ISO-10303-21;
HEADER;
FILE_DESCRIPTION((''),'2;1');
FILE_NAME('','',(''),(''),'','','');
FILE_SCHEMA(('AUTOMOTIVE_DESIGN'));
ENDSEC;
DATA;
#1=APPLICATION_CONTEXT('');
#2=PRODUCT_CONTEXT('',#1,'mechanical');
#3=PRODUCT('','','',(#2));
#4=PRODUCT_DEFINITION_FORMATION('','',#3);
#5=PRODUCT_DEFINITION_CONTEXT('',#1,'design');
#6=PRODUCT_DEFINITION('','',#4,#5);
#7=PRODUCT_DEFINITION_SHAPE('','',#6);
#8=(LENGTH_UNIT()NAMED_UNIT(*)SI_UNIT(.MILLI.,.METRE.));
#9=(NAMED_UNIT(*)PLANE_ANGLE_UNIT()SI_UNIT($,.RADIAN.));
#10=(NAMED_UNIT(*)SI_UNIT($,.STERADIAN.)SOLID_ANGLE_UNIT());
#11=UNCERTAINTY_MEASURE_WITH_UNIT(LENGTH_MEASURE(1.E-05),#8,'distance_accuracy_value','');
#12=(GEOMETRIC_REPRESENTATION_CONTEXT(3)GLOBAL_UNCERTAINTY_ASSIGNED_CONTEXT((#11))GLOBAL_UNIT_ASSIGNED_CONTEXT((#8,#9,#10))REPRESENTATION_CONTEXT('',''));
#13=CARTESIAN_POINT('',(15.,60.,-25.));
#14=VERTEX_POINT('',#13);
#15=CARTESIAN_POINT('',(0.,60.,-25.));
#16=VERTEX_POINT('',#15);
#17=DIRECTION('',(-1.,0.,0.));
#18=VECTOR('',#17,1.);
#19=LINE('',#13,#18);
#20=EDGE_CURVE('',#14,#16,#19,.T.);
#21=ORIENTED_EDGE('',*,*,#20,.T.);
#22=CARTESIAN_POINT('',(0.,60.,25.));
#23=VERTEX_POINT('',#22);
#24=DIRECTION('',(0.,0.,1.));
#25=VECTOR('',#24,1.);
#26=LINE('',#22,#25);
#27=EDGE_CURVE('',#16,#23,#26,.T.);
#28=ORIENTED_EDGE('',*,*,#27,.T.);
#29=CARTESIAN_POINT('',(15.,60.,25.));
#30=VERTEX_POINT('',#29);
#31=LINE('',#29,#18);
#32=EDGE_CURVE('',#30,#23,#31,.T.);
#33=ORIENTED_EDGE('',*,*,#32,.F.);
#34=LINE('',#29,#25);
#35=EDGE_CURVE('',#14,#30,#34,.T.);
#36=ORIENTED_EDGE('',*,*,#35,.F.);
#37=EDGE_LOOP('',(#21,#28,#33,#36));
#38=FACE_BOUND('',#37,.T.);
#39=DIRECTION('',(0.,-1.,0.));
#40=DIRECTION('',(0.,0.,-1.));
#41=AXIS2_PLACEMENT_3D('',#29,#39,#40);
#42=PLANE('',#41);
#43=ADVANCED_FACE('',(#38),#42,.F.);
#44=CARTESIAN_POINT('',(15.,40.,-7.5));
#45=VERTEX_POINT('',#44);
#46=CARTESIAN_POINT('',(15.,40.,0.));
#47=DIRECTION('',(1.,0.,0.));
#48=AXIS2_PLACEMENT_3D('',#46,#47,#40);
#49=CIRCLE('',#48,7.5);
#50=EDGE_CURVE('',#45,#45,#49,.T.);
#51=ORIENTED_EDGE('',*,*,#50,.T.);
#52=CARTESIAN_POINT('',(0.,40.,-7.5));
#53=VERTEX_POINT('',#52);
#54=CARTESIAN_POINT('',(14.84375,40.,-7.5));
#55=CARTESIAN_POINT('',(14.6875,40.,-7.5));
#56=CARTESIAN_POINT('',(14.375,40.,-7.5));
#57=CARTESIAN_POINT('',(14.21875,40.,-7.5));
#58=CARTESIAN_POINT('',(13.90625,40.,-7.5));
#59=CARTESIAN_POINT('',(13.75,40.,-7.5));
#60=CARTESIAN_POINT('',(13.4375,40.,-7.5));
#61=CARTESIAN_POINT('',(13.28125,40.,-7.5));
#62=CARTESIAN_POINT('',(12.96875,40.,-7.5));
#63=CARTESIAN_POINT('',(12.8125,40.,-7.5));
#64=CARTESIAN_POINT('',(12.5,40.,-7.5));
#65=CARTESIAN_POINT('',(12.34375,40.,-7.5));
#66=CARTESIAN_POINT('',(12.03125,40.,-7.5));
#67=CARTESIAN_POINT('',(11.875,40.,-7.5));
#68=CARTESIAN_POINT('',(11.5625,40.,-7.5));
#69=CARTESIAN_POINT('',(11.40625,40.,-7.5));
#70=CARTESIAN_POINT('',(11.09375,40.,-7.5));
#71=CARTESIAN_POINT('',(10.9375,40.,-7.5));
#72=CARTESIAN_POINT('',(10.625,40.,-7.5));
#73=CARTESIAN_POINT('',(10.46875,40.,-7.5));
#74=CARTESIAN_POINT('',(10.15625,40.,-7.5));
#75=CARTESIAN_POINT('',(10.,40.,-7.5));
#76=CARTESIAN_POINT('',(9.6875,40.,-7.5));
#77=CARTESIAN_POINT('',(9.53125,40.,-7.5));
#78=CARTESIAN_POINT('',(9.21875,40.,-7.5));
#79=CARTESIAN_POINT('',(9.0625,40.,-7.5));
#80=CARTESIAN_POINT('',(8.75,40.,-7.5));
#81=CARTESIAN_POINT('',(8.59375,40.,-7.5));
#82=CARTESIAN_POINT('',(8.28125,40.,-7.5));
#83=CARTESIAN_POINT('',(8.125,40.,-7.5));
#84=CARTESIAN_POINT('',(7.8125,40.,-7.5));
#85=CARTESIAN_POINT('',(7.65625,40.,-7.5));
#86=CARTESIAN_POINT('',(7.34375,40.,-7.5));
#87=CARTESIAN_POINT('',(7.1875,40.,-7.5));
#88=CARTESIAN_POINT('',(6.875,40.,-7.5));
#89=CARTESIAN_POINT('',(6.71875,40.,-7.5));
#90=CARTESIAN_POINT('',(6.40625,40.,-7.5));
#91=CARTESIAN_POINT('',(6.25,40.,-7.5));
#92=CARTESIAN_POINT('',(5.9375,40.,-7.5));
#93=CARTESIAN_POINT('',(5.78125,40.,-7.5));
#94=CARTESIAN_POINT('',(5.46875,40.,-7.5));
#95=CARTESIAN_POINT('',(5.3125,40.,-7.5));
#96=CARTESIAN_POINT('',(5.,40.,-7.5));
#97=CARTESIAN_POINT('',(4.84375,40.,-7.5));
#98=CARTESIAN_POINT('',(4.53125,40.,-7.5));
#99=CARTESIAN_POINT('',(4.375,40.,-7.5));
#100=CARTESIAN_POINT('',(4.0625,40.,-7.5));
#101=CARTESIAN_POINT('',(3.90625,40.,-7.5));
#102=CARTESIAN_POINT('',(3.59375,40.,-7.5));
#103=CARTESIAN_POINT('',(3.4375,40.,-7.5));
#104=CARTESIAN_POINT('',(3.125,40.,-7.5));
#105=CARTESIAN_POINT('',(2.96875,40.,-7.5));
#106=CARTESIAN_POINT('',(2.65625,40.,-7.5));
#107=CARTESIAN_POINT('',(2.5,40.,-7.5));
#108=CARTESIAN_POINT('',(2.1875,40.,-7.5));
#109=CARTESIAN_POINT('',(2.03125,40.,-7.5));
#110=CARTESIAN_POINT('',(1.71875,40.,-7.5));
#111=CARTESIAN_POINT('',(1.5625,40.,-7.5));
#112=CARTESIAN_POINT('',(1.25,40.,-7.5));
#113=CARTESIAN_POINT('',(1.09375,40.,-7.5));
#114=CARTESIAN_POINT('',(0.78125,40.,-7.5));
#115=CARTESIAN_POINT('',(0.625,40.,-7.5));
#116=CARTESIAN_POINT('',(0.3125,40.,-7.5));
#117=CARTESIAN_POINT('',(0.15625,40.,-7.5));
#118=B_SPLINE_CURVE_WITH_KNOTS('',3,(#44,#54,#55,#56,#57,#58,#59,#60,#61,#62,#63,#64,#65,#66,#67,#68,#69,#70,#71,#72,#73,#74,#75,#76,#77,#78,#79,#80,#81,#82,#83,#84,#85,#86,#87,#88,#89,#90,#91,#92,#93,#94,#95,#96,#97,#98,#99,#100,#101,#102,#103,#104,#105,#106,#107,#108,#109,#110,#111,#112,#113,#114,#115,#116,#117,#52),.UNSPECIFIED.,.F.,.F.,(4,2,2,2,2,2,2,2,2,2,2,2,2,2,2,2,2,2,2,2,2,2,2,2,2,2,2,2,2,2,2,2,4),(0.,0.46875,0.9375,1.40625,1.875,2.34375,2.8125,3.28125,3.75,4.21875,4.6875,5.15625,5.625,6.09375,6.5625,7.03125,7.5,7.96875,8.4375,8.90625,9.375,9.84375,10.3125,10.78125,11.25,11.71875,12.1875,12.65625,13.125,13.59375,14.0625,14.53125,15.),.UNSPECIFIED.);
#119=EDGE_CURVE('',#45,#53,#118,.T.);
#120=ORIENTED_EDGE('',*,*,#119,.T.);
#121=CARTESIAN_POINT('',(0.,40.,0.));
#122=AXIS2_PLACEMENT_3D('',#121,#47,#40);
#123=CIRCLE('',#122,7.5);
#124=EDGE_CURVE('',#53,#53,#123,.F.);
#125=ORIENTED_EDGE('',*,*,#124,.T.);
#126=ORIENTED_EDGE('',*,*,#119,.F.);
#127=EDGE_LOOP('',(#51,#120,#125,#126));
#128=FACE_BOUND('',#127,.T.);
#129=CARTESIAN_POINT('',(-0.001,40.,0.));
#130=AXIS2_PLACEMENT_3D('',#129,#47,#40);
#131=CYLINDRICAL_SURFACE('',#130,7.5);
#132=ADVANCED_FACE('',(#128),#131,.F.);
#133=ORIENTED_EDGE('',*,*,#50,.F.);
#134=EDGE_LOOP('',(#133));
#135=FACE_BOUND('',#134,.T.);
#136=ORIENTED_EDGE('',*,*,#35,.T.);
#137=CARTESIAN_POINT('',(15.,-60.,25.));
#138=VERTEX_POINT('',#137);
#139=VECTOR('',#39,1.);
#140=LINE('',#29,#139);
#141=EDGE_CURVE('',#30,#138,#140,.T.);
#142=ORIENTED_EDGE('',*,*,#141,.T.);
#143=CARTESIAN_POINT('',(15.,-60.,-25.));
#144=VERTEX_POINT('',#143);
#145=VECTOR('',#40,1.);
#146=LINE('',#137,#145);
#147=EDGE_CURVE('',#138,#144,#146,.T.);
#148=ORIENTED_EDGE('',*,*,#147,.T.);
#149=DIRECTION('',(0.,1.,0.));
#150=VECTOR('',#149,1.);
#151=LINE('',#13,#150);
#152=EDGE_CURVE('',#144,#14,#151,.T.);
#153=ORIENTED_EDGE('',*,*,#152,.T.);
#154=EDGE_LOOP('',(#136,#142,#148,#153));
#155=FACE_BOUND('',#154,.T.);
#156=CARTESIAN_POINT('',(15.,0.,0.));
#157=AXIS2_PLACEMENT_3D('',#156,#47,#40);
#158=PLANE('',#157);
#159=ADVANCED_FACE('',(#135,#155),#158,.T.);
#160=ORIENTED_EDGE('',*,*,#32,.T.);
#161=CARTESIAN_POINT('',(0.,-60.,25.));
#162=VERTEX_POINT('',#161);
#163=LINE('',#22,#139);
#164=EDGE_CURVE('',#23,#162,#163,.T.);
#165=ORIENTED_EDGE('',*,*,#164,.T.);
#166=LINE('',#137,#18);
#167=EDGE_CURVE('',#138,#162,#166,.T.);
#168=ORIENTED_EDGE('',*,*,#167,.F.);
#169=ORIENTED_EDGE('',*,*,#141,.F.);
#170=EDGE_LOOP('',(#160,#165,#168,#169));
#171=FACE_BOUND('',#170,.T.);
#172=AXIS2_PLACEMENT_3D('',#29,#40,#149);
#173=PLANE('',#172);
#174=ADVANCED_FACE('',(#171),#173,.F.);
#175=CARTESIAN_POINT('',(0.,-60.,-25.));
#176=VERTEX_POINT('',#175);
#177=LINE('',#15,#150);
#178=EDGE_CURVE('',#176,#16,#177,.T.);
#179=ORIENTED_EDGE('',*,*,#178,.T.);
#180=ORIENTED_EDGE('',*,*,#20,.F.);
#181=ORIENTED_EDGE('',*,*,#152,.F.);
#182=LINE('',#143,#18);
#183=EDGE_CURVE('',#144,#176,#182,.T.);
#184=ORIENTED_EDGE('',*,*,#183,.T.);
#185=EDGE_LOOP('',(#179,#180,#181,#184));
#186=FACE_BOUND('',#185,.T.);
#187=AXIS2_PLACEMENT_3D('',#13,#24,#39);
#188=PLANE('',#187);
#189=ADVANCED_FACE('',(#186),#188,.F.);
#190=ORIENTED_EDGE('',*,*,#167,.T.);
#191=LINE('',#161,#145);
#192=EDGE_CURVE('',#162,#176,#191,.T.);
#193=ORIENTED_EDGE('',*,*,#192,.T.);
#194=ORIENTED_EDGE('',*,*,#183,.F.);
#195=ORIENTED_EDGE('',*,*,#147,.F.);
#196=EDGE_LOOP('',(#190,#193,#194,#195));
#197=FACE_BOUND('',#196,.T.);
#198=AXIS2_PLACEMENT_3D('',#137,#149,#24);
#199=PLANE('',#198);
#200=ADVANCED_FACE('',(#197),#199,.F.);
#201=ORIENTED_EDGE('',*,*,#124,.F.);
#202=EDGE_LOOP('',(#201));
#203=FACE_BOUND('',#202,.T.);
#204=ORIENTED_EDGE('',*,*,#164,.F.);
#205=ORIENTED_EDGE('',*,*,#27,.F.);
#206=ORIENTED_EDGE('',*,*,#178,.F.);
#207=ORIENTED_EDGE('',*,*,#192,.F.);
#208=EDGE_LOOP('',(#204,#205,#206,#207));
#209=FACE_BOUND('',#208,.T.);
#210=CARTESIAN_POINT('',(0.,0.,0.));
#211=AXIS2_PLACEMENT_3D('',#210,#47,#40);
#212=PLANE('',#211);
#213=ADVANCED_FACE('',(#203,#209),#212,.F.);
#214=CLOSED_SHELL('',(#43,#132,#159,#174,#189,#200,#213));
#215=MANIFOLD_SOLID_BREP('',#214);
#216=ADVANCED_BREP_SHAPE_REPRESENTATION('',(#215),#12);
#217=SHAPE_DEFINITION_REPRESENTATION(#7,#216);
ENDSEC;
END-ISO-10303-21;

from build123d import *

# Parameters (mm, degrees)
SKETCH1_W           = 50
SKETCH1_H           = 120
BOSS_EXTRUDE1_DEPTH = 15
CUT_EXTRUDE1_REACH  = 68.708
SKETCH2_R           = 7.5


with BuildPart() as part:
    # Sketch1 → Boss-Extrude1 (new body)
    with BuildSketch(Plane(origin=(0, 0, 0), x_dir=(0, 0, -1), z_dir=(1, 0, 0))):
        Rectangle(SKETCH1_W, SKETCH1_H)
    extrude(amount=BOSS_EXTRUDE1_DEPTH)

    # Sketch2 → Cut-Extrude1 (cut, up to next)
    with BuildSketch(Plane(origin=(15, 0, 0), x_dir=(0, 0, -1), z_dir=(1, 0, 0)), mode=Mode.PRIVATE) as cut_extrude1_sk1:
        with Locations((0, 40)):
            Circle(SKETCH2_R)
    cut_extrude1_tool1 = extrude(cut_extrude1_sk1.sketch, amount=-CUT_EXTRUDE1_REACH, mode=Mode.PRIVATE) & part.part
    add(cut_extrude1_tool1.solids().sort_by_distance((15, 40, 0))[0], mode=Mode.SUBTRACT)


solid = part.part
